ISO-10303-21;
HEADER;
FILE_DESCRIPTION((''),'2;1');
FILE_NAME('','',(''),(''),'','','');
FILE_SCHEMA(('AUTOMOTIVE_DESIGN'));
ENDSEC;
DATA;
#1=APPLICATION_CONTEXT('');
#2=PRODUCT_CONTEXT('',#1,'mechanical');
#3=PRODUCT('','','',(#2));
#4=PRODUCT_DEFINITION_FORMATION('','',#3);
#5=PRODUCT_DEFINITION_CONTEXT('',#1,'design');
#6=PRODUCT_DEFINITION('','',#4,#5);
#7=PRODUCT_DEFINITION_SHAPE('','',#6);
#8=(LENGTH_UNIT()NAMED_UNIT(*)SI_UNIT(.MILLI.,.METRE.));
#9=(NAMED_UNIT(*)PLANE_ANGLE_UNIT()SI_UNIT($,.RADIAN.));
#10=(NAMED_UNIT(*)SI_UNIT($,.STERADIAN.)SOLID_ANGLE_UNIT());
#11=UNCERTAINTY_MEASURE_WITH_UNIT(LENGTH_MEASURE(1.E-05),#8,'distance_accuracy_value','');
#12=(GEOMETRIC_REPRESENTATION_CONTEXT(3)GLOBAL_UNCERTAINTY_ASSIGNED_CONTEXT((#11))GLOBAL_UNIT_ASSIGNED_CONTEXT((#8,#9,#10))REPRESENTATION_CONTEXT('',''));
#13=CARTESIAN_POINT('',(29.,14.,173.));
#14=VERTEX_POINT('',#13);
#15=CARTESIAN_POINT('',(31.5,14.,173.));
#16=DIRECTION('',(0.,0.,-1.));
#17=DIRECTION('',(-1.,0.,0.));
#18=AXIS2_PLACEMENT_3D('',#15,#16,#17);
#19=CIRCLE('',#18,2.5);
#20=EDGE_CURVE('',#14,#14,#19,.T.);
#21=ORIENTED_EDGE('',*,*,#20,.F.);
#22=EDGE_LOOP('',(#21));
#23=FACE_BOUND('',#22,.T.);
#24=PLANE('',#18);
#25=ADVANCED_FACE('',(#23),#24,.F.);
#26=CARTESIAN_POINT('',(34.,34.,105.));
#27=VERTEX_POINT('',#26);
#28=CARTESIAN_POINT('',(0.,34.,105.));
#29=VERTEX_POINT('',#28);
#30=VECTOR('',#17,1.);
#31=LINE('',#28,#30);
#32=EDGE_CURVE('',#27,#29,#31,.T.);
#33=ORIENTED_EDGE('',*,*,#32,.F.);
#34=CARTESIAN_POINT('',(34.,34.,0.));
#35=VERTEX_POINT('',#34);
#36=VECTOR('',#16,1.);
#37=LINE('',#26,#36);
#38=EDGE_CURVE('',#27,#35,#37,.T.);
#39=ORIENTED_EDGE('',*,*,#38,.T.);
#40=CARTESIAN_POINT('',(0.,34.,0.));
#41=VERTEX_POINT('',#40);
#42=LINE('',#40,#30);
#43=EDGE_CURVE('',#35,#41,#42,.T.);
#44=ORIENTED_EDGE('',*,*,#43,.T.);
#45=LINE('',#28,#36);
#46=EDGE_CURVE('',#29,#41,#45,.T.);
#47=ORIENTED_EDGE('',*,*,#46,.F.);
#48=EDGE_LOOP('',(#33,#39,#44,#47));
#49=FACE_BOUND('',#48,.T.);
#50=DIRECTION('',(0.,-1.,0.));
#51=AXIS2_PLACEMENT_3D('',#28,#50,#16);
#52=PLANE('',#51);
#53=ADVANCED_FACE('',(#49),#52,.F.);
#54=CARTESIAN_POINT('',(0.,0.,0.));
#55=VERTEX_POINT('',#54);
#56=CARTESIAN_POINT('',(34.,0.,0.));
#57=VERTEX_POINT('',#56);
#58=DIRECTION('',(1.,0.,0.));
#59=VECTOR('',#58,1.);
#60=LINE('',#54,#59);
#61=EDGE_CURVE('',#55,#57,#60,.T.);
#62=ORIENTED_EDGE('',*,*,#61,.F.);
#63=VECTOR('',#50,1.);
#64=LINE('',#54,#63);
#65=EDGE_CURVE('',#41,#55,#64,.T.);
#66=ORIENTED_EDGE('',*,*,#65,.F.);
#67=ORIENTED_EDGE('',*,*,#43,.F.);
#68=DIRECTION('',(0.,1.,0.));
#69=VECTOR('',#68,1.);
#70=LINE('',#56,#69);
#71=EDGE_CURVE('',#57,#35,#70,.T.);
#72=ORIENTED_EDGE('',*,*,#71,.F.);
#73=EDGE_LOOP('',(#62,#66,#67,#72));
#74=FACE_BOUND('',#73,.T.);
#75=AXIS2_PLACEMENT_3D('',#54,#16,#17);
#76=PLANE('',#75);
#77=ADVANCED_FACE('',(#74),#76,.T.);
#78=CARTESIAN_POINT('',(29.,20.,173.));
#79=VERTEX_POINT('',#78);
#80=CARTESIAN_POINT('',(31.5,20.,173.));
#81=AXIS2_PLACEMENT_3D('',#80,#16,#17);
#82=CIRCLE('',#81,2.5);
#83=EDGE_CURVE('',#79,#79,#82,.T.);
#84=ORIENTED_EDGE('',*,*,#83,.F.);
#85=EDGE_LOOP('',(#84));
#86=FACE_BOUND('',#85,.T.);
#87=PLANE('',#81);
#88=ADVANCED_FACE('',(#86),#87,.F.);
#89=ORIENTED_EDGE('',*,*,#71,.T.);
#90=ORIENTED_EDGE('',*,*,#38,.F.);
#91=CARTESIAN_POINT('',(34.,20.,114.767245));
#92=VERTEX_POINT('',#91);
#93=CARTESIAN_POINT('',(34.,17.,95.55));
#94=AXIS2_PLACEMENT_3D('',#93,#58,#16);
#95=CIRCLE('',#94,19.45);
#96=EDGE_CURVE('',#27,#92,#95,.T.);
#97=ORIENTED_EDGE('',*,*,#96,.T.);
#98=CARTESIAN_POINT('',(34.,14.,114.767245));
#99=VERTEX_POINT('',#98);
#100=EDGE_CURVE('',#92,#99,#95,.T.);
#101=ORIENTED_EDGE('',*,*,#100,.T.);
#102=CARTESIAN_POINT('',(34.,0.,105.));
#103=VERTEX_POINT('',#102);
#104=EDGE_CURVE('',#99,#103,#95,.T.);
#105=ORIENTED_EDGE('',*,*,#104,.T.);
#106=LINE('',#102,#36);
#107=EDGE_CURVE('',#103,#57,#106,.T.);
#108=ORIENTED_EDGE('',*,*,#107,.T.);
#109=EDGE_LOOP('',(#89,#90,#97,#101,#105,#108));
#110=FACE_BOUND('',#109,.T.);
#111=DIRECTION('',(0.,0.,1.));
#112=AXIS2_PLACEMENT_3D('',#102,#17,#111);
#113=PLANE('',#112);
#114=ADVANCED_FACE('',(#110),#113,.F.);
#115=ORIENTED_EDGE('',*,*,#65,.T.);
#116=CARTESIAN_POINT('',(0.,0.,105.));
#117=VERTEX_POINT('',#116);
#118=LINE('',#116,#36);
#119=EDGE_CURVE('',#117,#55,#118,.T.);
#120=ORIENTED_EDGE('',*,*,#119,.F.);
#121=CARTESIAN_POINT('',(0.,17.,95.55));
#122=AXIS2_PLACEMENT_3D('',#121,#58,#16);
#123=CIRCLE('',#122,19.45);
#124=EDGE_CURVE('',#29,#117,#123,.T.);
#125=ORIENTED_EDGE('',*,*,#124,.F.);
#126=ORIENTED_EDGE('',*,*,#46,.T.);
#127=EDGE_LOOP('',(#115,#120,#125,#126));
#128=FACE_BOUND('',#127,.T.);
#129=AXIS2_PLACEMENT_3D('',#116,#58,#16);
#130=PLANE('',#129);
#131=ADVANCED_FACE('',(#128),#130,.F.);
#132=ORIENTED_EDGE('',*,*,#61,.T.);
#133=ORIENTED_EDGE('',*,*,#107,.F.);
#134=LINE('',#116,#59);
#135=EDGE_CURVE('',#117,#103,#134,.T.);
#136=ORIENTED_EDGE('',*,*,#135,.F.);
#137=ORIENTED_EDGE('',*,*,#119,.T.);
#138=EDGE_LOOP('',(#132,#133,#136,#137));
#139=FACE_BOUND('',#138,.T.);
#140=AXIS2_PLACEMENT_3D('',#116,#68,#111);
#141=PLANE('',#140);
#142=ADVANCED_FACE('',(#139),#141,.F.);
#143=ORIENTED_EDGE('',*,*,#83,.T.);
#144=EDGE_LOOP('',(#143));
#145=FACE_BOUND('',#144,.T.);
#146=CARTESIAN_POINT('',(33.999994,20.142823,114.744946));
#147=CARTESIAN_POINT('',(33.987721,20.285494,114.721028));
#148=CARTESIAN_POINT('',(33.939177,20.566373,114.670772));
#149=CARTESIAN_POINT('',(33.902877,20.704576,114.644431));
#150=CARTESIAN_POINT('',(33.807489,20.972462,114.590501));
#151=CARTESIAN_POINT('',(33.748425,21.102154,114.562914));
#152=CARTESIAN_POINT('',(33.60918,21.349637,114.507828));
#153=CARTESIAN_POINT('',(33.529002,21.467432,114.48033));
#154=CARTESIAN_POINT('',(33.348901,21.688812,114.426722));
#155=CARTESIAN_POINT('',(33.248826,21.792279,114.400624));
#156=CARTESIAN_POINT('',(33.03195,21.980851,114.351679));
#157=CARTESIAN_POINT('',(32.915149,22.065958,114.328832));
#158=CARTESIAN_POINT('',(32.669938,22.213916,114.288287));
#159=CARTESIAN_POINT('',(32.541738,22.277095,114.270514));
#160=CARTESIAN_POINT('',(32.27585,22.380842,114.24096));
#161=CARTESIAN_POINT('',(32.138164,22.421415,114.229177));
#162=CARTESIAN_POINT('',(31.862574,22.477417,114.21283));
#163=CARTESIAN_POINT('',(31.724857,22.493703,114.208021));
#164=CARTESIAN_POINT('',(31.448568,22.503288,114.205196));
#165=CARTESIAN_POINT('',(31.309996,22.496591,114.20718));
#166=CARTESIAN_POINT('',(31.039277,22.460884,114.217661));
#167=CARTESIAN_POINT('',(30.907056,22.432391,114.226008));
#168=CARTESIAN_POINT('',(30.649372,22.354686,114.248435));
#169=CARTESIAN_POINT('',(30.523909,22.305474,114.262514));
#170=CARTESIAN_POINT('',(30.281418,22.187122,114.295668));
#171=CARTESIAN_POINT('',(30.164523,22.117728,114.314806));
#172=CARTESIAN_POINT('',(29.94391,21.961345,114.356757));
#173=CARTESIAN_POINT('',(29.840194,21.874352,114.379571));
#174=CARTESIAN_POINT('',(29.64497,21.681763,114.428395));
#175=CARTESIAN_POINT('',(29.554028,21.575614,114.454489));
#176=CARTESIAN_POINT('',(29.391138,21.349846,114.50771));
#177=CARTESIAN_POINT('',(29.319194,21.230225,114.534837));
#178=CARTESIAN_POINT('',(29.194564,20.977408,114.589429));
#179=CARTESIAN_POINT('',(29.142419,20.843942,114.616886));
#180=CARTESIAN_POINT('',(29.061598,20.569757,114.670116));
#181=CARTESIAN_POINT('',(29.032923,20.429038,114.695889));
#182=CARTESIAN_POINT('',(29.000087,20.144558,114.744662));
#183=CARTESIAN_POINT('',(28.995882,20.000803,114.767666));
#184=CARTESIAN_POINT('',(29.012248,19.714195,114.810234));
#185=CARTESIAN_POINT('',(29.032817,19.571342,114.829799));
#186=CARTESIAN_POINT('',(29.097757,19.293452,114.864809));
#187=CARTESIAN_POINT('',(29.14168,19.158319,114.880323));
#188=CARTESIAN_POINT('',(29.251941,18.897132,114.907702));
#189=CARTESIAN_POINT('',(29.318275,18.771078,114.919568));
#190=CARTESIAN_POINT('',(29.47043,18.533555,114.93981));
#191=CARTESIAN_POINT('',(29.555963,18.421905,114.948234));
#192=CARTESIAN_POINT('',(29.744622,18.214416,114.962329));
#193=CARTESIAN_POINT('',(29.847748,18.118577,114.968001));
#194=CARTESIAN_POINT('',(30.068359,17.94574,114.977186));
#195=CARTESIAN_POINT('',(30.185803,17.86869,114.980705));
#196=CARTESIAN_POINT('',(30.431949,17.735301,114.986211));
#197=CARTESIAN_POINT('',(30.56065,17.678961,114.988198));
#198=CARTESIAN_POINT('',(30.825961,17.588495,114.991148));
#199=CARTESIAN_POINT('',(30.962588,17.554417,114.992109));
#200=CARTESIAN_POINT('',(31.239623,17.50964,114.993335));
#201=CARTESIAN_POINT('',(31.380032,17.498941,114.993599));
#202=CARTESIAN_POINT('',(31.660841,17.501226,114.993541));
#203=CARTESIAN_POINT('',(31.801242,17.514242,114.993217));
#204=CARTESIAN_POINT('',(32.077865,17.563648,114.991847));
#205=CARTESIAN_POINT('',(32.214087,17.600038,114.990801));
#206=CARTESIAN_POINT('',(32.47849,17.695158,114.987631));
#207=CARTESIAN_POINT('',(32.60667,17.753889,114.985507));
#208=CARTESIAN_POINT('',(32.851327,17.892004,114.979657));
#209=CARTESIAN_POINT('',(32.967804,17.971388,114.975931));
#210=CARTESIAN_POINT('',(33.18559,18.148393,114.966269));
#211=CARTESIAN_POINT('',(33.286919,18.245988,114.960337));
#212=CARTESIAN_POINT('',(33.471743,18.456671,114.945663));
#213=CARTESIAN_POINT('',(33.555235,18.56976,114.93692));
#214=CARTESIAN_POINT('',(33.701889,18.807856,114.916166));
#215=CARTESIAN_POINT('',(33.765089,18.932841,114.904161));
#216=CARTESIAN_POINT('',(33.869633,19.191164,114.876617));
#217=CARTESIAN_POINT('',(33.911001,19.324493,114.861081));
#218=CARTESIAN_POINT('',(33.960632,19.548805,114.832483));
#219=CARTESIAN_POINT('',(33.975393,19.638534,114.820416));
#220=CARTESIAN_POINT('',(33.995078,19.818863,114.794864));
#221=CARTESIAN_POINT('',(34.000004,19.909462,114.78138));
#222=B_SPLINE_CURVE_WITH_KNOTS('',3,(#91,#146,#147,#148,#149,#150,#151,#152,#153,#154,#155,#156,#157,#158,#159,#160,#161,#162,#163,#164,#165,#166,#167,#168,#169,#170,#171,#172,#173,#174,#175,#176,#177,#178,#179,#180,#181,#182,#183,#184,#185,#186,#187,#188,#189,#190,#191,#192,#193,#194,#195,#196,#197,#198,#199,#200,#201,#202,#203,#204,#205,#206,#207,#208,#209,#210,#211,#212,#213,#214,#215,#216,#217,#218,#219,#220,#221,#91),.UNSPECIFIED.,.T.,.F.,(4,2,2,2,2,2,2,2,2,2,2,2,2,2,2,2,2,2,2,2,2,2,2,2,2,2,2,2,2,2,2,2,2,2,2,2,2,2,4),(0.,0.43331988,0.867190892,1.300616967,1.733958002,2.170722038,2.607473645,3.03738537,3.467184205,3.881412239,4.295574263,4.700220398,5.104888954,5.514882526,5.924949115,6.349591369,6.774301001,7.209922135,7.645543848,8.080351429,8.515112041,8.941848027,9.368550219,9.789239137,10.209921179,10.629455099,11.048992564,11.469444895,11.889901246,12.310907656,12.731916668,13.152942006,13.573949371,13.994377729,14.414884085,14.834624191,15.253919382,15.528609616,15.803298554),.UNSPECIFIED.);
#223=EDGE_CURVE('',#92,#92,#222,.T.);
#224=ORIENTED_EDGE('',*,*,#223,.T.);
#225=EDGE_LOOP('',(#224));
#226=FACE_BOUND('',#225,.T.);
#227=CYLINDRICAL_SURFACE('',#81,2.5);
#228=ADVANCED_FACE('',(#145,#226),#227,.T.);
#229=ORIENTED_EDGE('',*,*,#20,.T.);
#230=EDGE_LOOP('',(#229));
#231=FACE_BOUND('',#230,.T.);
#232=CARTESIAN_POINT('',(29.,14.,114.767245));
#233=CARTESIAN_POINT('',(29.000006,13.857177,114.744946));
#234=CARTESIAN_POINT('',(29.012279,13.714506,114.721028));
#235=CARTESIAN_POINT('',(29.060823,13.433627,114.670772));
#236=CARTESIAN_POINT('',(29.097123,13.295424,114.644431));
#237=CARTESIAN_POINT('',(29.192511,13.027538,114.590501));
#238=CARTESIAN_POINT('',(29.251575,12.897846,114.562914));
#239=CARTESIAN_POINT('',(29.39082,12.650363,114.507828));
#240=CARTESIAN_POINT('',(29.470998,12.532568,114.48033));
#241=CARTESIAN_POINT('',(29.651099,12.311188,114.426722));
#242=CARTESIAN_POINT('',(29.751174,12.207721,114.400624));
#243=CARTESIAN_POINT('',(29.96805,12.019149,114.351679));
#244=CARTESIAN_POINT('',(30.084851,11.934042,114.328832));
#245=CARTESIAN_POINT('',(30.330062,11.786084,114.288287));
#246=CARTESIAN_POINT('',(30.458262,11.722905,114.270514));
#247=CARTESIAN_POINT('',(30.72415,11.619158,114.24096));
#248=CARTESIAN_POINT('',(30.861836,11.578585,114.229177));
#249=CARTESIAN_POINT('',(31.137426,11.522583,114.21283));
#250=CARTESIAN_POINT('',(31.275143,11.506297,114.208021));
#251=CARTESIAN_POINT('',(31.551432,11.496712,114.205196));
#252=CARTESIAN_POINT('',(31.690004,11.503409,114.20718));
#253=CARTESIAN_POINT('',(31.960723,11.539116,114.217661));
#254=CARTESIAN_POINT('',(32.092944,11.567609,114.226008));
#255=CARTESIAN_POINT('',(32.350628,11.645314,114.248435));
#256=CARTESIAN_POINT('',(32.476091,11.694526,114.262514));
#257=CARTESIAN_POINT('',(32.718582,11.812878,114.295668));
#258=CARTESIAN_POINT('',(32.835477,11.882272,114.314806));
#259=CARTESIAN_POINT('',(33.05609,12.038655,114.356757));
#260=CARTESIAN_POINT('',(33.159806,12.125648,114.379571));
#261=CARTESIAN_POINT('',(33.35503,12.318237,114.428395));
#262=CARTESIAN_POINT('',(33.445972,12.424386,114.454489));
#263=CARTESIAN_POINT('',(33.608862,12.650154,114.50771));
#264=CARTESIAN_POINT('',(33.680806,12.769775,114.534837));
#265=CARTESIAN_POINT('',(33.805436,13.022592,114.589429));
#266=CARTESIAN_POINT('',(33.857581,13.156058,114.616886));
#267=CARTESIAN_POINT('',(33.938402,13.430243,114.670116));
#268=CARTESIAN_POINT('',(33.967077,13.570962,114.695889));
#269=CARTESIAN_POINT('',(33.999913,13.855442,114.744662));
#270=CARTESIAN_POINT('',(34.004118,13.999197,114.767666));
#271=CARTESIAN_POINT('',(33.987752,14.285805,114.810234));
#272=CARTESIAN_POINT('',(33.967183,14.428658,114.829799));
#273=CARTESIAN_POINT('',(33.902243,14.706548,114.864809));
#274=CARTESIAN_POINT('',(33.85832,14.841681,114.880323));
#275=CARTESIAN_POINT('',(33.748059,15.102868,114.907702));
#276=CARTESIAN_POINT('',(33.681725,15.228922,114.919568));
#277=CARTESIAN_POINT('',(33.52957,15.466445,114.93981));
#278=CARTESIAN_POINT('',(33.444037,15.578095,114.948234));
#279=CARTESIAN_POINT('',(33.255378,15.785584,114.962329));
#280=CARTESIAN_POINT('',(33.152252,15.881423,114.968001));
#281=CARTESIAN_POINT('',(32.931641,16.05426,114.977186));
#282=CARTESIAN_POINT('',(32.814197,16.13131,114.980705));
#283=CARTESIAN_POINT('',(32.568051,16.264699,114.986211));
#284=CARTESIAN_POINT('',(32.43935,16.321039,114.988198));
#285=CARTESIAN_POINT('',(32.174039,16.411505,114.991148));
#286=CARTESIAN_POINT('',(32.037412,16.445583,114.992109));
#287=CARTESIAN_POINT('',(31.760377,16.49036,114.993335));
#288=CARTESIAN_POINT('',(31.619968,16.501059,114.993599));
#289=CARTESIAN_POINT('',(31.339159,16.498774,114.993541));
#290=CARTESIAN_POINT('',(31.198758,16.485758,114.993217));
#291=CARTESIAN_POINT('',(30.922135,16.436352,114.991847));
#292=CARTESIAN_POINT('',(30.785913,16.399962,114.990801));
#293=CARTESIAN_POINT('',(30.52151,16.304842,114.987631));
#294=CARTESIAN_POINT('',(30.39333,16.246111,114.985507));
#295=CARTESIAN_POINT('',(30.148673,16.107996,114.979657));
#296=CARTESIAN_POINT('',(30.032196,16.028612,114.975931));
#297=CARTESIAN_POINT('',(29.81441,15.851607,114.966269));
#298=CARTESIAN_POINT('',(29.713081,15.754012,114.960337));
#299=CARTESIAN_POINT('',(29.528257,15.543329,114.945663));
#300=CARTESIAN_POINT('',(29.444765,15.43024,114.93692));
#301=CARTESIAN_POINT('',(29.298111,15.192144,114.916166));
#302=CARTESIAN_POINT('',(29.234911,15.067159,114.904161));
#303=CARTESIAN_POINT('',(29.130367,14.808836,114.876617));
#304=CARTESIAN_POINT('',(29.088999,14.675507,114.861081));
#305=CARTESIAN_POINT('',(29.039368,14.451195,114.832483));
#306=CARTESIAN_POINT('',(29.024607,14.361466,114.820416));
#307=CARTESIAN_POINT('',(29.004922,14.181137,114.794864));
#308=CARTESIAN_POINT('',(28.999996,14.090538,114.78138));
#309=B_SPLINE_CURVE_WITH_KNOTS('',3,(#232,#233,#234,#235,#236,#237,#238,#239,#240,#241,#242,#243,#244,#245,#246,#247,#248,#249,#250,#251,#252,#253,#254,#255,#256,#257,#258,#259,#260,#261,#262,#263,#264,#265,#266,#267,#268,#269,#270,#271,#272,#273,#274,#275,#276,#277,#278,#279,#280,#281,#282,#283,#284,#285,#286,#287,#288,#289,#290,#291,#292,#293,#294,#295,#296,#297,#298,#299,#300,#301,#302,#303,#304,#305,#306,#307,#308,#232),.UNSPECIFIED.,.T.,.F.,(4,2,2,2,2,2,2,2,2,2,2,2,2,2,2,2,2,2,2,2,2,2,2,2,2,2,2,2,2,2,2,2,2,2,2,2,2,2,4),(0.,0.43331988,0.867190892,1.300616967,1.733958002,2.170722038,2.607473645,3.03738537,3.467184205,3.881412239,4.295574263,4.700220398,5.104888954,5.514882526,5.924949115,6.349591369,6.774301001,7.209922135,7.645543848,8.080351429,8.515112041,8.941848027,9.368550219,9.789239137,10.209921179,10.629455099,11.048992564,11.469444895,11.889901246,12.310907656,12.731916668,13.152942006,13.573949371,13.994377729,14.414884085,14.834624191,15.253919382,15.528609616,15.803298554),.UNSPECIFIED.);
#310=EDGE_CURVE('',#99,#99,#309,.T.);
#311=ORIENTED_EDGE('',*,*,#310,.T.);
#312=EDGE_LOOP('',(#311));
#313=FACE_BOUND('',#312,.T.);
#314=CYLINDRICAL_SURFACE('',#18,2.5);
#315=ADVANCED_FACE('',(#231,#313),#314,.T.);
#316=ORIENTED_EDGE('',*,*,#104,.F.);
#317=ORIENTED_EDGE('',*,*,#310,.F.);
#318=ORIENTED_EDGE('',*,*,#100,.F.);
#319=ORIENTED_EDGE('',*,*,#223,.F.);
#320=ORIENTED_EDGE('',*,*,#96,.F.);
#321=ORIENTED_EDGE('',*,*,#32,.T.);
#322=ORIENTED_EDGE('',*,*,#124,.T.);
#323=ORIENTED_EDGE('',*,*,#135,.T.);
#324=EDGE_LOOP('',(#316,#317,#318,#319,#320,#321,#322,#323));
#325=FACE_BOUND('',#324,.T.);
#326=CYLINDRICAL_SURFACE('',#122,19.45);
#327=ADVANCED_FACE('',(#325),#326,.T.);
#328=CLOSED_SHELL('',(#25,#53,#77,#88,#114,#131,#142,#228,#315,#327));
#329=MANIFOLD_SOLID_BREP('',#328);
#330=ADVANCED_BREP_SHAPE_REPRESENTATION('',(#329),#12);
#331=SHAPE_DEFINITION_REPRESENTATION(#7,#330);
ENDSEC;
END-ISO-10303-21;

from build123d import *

# Parameters (mm, degrees)
ESQUISSE1_W        = 34
ESQUISSE1_H        = 34
BOSS_EXTRU_1_DEPTH = 105
BOSS_EXTRU_2_DEPTH = 34
ESQUISSE3_R        = 2.5
BOSS_EXTRU_3_DEPTH = 173


with BuildPart() as part:
    # Esquisse1 → Boss.-Extru.1 (new body)
    with BuildSketch(Plane.XY):
        with Locations((17, 17)):
            Rectangle(ESQUISSE1_W, ESQUISSE1_H)
    extrude(amount=BOSS_EXTRU_1_DEPTH)

    # Esquisse2 → Boss.-Extru.2 (add)
    with BuildSketch(Plane(origin=(34, 0, 0), x_dir=(0, 0, -1), z_dir=(1, 0, 0))):
        with BuildLine():
            Line((-105, 34), (-105, 0))
            ThreePointArc((-105, 0), (-115, 17), (-105, 34))
        make_face()
    extrude(amount=-BOSS_EXTRU_2_DEPTH)

    # Esquisse3 → Boss.-Extru.3 (add)
    with BuildSketch(Plane(origin=(0, 0, 0), x_dir=(-1, 0, 0), z_dir=(0, 0, -1))):
        with Locations((-31.5, 20)):
            Circle(ESQUISSE3_R)
        with Locations((-31.5, 14)):
            Circle(ESQUISSE3_R)
    extrude(amount=-BOSS_EXTRU_3_DEPTH)


solid = part.part
